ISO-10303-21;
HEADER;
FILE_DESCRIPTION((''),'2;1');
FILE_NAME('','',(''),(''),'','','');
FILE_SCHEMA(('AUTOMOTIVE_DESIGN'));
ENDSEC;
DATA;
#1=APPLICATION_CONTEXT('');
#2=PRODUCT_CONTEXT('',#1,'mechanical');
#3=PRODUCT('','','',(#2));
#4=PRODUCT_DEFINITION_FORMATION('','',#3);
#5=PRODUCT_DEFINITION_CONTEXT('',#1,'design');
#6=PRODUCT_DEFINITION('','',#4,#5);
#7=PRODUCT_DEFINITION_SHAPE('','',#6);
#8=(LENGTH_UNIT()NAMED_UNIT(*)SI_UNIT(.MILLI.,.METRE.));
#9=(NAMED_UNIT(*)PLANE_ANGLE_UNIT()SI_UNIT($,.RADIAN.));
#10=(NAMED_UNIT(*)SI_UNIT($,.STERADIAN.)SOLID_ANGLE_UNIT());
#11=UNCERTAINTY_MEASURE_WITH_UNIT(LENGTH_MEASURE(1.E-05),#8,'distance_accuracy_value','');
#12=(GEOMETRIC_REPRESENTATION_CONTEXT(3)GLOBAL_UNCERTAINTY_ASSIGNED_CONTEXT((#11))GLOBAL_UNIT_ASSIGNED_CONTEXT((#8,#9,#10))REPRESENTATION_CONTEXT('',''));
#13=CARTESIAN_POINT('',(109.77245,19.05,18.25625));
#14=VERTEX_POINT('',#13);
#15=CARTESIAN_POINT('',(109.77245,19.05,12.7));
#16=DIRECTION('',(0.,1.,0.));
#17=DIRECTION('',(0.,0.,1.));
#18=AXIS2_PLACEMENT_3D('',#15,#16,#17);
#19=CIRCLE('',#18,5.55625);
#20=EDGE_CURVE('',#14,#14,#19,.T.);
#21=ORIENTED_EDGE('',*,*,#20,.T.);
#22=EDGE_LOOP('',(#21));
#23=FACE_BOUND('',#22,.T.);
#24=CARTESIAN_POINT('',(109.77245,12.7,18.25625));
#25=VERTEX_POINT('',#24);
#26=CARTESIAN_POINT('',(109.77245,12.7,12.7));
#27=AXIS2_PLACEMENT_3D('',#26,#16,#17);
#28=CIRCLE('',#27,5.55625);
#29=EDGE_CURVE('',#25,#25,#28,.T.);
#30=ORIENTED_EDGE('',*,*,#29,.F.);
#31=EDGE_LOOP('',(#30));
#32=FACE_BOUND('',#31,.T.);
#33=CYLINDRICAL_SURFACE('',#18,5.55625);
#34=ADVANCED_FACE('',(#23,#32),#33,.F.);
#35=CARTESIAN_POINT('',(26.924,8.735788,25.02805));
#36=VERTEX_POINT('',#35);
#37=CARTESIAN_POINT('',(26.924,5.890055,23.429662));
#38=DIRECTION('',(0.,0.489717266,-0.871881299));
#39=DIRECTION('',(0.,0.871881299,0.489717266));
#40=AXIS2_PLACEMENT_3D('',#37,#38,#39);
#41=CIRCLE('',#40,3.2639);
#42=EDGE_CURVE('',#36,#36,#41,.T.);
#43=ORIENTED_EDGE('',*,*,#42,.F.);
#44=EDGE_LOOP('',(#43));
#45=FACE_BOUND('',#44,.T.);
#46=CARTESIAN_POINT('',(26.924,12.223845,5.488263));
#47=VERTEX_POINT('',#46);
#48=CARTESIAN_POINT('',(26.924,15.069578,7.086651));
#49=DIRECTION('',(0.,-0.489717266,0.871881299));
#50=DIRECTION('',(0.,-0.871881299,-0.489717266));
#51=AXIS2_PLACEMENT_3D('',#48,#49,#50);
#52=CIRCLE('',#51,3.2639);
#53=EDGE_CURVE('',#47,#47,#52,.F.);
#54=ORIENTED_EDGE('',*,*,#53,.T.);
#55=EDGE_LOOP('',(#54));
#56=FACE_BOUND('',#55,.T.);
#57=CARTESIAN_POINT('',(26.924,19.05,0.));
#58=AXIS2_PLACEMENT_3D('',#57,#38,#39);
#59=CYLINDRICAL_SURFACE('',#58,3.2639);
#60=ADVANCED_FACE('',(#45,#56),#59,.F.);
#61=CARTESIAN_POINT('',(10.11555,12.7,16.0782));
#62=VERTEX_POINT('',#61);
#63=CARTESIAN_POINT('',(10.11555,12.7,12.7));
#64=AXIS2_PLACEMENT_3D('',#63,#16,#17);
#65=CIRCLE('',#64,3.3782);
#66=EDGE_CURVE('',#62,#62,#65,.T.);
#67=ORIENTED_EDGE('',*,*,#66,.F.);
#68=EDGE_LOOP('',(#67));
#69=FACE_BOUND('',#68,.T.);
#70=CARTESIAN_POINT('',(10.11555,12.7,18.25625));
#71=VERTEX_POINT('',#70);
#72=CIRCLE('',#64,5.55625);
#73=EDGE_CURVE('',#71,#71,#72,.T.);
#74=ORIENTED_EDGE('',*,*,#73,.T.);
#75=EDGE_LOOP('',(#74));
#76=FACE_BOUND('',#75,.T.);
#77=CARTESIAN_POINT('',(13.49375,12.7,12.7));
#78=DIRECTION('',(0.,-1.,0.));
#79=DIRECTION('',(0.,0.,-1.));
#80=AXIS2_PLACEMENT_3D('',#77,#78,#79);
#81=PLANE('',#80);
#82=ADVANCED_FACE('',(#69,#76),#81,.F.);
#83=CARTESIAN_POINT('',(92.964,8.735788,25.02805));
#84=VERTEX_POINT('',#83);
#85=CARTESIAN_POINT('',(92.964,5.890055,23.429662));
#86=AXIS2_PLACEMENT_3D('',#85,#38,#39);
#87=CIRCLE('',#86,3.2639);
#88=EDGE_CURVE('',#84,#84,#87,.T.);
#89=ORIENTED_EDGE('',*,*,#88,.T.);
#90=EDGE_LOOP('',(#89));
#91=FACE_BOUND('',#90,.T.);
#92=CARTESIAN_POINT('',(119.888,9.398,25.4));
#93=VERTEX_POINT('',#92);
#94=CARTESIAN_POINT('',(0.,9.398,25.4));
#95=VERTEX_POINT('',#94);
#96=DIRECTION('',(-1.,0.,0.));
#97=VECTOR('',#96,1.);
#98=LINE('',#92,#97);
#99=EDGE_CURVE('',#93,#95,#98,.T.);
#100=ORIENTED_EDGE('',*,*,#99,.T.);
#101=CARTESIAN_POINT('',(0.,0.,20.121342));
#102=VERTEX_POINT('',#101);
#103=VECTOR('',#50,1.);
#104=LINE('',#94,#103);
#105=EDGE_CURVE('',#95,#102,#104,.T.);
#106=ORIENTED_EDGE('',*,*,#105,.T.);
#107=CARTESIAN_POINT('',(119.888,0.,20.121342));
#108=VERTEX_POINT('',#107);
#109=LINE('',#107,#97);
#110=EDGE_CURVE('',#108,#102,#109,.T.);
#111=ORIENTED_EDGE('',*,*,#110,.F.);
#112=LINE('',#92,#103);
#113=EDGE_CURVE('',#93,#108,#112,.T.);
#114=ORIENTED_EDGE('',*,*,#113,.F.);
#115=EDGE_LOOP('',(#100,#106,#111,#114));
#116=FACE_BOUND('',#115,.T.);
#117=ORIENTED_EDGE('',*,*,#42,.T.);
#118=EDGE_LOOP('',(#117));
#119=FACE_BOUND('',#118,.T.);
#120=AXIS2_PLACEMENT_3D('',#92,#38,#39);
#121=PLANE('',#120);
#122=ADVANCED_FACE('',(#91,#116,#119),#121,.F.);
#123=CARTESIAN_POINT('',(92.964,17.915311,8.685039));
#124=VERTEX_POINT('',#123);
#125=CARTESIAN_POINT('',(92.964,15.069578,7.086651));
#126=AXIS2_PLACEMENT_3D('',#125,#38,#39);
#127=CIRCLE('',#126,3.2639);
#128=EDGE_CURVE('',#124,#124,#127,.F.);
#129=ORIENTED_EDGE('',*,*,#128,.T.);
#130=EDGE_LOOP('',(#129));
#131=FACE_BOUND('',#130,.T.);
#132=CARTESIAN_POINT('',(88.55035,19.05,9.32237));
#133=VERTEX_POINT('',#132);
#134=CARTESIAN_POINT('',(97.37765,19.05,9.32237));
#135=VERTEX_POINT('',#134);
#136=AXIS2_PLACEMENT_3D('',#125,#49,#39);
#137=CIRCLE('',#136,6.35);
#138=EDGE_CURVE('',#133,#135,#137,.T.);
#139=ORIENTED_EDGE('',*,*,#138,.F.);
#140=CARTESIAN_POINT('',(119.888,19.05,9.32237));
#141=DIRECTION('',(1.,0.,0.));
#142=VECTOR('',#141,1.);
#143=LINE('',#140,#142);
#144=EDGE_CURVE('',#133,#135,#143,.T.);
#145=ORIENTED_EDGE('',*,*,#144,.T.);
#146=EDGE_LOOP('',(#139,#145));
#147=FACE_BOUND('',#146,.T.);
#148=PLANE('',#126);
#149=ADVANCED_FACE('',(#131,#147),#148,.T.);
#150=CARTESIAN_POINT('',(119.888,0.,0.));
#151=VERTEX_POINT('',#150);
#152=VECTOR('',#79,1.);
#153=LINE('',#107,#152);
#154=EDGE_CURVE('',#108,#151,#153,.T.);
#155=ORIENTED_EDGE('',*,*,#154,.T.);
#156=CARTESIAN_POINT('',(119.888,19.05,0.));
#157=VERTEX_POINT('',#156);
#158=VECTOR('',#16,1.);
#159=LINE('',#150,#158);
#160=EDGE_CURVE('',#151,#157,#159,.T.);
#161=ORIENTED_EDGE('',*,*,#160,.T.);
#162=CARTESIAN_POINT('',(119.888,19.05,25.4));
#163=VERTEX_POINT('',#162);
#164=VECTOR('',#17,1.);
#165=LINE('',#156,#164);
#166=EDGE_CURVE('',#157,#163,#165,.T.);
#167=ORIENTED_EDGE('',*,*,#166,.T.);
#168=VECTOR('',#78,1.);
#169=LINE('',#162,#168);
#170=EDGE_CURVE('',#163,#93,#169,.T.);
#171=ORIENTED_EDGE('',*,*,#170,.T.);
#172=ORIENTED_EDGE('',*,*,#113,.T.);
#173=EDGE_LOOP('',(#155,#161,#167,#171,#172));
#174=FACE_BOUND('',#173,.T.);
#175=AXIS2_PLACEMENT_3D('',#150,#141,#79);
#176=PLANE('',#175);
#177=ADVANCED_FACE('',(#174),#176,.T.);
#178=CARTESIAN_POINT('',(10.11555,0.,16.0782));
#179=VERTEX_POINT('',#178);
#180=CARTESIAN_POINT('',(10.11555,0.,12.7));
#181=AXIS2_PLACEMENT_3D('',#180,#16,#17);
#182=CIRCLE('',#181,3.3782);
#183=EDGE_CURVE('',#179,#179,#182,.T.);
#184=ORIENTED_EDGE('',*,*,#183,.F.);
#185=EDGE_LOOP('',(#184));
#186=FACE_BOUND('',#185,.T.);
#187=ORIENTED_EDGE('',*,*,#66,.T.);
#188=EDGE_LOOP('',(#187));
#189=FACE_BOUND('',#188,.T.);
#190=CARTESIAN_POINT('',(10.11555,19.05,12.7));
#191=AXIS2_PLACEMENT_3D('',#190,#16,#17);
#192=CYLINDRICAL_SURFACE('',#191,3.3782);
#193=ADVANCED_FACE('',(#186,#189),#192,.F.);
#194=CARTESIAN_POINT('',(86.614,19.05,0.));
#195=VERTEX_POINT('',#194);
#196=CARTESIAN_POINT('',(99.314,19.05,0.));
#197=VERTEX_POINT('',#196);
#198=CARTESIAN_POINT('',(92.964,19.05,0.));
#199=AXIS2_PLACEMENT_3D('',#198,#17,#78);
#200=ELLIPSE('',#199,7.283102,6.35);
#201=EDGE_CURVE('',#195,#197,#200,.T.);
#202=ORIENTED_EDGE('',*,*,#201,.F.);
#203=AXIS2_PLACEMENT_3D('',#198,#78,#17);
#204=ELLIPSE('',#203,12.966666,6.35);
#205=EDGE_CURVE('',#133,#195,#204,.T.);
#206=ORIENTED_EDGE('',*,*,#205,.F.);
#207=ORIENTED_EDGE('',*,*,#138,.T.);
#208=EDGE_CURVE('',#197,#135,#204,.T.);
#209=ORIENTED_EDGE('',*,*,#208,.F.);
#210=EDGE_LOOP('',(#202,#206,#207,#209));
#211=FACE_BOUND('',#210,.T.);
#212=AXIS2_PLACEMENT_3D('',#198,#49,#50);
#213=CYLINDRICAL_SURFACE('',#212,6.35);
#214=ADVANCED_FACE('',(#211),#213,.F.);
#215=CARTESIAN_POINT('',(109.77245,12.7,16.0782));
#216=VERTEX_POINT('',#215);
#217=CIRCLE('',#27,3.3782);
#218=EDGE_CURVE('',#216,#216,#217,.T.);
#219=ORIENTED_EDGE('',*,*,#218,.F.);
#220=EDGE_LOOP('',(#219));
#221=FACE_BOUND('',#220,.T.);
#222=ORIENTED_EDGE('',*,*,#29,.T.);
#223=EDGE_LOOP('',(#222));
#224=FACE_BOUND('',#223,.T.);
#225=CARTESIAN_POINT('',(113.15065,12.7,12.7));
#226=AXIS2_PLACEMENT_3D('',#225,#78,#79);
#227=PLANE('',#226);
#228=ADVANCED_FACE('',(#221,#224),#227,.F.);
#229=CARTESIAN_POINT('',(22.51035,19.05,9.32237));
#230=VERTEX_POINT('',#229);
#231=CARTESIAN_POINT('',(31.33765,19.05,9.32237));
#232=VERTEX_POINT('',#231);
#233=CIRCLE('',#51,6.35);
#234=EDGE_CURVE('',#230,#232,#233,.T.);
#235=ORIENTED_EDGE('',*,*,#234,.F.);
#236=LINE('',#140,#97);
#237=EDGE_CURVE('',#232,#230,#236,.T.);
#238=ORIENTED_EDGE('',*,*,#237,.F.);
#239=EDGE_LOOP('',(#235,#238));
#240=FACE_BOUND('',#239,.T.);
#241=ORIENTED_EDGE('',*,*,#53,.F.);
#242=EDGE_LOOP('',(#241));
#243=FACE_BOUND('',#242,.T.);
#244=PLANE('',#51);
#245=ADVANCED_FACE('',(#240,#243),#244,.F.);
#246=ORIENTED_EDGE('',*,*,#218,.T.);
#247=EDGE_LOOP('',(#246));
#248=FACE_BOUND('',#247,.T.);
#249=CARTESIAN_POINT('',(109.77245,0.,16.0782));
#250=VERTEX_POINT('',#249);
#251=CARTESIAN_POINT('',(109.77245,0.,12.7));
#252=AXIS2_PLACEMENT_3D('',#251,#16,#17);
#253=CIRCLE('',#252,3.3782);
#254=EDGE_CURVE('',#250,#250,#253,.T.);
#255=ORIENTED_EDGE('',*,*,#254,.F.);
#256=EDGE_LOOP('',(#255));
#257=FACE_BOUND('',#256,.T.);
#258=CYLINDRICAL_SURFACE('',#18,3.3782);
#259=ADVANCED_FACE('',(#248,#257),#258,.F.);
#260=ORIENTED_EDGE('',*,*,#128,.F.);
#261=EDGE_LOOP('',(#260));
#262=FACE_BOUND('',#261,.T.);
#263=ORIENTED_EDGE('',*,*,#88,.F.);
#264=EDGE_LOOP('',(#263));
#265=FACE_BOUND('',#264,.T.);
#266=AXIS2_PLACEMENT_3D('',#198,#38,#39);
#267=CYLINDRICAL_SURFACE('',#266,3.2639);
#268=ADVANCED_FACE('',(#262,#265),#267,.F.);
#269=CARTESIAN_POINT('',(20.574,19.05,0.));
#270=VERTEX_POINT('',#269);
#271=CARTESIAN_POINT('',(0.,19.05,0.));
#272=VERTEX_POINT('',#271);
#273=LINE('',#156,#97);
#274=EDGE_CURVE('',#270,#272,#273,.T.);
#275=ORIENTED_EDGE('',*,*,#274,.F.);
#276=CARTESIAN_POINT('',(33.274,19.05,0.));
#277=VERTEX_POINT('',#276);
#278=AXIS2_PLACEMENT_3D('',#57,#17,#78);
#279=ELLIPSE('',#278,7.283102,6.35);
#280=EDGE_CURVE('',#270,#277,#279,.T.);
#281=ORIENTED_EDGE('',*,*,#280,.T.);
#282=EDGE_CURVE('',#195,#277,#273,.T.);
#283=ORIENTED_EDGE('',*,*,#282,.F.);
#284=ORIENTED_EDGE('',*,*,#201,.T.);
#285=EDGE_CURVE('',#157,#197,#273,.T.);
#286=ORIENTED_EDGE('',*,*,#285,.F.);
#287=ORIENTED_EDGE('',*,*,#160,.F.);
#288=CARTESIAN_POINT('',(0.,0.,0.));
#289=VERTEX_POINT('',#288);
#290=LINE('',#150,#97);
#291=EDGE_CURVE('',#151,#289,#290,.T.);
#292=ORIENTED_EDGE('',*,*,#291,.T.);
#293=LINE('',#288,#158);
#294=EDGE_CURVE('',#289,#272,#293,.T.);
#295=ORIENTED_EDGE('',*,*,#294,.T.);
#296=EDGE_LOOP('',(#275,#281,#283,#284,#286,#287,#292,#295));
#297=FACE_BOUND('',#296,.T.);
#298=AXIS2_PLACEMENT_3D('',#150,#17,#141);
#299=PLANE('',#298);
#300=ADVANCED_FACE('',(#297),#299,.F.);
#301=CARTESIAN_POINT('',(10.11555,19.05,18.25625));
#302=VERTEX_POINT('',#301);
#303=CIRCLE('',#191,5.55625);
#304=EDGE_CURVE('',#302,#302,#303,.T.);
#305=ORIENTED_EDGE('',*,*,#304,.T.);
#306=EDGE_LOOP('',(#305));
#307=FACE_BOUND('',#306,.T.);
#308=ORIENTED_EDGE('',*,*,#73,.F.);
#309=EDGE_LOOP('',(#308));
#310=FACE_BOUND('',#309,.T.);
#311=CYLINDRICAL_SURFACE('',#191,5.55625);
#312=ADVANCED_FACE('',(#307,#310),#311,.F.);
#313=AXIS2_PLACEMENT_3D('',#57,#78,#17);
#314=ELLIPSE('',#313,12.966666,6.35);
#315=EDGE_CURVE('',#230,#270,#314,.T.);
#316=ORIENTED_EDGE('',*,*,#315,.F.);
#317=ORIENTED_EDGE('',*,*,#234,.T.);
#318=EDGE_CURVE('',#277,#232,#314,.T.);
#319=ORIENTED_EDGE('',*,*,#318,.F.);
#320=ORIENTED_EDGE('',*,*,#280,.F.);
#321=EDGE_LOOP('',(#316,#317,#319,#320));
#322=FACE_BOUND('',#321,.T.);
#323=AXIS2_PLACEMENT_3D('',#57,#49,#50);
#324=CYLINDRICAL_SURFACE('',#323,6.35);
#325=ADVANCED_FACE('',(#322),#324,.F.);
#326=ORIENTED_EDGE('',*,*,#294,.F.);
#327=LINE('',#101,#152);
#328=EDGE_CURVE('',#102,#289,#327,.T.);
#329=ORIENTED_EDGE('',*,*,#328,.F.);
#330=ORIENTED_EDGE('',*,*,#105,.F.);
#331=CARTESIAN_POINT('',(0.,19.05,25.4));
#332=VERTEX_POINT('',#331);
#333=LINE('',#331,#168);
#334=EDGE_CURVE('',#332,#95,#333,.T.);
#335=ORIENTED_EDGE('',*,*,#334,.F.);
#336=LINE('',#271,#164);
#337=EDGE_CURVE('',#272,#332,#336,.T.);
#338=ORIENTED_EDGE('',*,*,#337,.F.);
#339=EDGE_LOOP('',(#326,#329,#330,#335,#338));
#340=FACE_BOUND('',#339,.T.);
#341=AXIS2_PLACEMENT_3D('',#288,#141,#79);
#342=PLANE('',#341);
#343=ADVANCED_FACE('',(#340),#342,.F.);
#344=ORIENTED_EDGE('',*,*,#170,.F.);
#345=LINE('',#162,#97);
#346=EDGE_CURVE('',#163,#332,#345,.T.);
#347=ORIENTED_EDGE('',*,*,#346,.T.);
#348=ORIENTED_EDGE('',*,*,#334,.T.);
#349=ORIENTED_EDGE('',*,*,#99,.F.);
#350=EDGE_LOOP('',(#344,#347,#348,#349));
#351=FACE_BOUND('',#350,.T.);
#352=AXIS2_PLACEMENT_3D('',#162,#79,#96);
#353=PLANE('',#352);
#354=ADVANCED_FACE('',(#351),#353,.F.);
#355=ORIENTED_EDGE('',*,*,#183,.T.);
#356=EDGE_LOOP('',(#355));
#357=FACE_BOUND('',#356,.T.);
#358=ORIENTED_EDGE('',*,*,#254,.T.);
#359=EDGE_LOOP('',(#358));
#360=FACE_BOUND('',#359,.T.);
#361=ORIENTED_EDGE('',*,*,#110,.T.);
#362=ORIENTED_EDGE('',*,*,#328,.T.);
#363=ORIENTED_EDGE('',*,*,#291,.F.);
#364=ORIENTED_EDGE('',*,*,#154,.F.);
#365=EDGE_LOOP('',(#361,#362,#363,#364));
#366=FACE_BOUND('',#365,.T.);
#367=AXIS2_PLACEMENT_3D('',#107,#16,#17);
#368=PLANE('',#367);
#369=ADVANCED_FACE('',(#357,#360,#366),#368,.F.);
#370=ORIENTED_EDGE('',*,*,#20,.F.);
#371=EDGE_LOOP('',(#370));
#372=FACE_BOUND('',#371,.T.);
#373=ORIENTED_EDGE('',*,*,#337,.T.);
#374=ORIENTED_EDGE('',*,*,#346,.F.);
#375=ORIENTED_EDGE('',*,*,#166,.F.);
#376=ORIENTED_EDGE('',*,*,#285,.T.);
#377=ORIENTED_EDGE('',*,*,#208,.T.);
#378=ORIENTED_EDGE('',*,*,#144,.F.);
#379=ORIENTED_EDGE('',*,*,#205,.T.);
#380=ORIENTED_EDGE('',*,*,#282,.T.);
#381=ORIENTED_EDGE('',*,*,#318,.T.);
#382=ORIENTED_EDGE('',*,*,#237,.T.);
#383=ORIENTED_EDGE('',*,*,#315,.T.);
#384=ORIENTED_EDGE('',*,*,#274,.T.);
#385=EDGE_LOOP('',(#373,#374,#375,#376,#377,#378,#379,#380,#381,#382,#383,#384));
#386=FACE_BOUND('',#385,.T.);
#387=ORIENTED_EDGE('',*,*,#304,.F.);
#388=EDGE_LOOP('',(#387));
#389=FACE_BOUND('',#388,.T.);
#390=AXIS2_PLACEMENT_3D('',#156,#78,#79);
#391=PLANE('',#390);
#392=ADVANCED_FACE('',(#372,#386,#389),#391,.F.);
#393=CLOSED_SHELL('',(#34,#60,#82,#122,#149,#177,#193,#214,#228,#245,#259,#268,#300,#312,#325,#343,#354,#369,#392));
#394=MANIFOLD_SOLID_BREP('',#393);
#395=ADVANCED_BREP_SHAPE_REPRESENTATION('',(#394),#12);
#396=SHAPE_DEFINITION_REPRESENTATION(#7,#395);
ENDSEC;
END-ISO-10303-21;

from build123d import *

# Parameters (mm, degrees)
BOSS_EXTRUDE1_DEPTH                              = 119.888
CBORE_FOR_1_4_SOCKET_HEAD_CAP_SCREW1_D           = 6.7564
CBORE_FOR_1_4_SOCKET_HEAD_CAP_SCREW1_CBORE_D     = 11.1125
CBORE_FOR_1_4_SOCKET_HEAD_CAP_SCREW1_CBORE_DEPTH = 6.35
F_5_16_18_TAPPED_HOLE1_D                         = 6.5278
SKETCH6_R                                        = 6.35
CUT_EXTRUDE1_DEPTH                               = 125.150820709


with BuildPart() as part:
    # Sketch1 → Boss-Extrude1 (new body)
    with BuildSketch(Plane(origin=(0, 0, 0), x_dir=(0, 0, -1), z_dir=(1, 0, 0))):
        Polygon((0, 0), (0, 19.05), (-25.4, 19.05), (-25.4, 9.398), (-20.121342373, 0), align=None)
    extrude(amount=BOSS_EXTRUDE1_DEPTH)

    # CBORE for 1/4 Socket Head Cap Screw1 (through all)
    with Locations(Plane(origin=(0, 19.05, 0), x_dir=(1, 0, 0), z_dir=(0, 1, 0))):
        with Locations((10.11555, -12.7), (109.77245, -12.7)):
            CounterBoreHole(CBORE_FOR_1_4_SOCKET_HEAD_CAP_SCREW1_D / 2, CBORE_FOR_1_4_SOCKET_HEAD_CAP_SCREW1_CBORE_D / 2, CBORE_FOR_1_4_SOCKET_HEAD_CAP_SCREW1_CBORE_DEPTH)

    # 5/16-18 Tapped Hole1 (through all)
    with Locations(Plane(origin=(0, 4.568628166, -8.133879962), x_dir=(1, 0, 0), z_dir=(0, 0.48971726622701756, -0.8718812987781861))):
        with Locations((92.964, -16.609338742), (26.924, -16.609338742)):
            Hole(F_5_16_18_TAPPED_HOLE1_D / 2)

    # Sketch6 → Cut-Extrude1 (cut, through all)
    with BuildSketch(Plane(origin=(0, 0.588206226, -1.047228766), x_dir=(1, 0, 0), z_dir=(0, -0.48971726622701756, 0.8718812987781861))):
        with Locations((26.924, 16.609338742)):
            Circle(SKETCH6_R)
        with Locations((92.964, 16.609338742)):
            Circle(SKETCH6_R)
    extrude(amount=-CUT_EXTRUDE1_DEPTH, mode=Mode.SUBTRACT)


solid = part.part
